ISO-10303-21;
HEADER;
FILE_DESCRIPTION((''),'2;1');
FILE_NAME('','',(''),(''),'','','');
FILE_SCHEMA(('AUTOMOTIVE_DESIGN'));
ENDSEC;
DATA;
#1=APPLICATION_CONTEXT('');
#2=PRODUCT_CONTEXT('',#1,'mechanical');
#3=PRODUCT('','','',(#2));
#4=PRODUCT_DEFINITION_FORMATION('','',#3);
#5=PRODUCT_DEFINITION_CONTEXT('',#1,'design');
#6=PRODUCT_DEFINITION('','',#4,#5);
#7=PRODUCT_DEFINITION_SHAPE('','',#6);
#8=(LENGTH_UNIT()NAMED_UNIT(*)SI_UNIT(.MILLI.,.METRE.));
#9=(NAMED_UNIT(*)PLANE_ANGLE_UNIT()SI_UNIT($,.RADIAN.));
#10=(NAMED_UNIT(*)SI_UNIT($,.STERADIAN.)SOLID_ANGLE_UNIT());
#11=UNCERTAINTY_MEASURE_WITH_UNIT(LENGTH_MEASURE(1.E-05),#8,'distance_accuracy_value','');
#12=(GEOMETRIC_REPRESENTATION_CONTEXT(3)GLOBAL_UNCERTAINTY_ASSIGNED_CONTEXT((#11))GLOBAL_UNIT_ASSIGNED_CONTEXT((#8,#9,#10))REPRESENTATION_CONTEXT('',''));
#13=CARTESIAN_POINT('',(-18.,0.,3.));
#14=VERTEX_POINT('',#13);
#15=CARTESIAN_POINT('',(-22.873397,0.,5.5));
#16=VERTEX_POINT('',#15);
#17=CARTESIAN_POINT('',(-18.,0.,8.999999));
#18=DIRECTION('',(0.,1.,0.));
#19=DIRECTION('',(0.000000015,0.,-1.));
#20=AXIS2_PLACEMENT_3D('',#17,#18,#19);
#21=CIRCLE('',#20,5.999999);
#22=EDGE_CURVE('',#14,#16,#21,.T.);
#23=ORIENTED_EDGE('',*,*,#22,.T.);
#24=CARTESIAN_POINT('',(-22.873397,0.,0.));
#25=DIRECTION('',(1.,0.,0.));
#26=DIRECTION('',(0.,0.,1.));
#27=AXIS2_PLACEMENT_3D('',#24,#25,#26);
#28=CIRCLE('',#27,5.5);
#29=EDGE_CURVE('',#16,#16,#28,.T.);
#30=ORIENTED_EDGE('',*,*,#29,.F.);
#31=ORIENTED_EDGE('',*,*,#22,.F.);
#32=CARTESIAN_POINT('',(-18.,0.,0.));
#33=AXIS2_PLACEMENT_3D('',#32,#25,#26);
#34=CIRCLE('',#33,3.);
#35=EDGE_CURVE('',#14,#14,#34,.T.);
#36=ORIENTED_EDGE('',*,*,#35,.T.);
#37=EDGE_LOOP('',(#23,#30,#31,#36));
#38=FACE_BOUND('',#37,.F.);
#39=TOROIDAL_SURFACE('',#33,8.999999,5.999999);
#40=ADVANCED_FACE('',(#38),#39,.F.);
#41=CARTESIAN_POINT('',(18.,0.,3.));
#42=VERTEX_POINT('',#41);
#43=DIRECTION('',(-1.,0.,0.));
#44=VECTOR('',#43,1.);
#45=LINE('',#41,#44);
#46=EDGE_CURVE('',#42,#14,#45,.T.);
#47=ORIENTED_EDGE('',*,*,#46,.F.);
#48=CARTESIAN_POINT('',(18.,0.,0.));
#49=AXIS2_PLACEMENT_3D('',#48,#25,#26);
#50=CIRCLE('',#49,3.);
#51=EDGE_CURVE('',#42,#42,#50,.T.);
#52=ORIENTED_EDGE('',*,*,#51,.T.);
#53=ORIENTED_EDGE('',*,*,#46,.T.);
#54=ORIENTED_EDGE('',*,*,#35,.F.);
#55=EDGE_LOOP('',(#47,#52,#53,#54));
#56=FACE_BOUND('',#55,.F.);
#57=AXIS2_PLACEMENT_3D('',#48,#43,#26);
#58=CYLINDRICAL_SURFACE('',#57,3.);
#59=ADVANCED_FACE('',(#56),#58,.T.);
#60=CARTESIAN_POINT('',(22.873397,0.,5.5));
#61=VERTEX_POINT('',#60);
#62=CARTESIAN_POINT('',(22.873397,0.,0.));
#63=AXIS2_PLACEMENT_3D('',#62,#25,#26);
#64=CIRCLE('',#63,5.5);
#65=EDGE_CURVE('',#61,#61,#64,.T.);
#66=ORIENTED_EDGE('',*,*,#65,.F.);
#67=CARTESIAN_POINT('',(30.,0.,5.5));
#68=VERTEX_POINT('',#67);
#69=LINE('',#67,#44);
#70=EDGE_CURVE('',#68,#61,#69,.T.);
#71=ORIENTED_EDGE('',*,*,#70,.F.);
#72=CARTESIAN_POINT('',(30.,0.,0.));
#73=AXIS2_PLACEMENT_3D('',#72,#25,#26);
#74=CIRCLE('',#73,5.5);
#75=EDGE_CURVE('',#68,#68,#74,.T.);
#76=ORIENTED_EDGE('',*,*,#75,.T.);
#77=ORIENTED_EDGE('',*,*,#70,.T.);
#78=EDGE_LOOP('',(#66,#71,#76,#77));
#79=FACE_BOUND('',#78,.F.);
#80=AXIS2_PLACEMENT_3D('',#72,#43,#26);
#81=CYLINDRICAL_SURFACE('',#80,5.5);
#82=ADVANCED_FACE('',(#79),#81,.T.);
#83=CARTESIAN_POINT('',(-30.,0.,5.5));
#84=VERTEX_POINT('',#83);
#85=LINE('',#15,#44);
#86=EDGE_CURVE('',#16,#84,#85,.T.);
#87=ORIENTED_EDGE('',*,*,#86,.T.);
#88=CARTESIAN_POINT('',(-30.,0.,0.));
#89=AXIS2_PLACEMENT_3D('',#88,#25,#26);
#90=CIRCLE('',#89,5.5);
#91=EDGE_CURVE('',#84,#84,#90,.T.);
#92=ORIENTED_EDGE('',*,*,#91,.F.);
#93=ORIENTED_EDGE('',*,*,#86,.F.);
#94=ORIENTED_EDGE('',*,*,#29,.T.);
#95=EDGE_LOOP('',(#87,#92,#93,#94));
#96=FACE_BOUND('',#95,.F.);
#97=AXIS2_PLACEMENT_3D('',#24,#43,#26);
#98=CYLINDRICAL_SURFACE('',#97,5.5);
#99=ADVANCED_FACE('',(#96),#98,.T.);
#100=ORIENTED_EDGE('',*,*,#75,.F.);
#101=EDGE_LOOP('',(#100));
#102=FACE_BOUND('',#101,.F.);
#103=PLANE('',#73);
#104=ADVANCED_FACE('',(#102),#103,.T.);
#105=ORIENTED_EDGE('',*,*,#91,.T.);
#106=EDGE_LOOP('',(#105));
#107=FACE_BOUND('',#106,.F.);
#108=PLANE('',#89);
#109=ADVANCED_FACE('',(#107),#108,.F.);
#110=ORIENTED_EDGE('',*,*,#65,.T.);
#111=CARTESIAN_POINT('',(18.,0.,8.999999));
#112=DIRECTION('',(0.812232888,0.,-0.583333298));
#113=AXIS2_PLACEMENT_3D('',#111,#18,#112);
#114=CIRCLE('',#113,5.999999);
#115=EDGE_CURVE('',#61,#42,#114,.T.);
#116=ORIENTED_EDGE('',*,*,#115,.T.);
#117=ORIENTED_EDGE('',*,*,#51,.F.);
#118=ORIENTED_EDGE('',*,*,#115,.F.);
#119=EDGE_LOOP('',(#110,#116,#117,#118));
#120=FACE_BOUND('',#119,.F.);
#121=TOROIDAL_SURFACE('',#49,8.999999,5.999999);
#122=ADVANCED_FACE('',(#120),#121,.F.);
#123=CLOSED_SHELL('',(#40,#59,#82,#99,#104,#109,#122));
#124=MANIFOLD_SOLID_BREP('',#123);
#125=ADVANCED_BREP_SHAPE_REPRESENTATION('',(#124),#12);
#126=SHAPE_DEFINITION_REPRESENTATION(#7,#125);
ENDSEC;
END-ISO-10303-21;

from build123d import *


with BuildPart() as f1:
    # F0 (on Front) → F1 (revolve)
    with BuildSketch(Plane.XZ):
        with BuildLine():
            Line((18, 3), (0, 3))
            Line((0, 3), (-18, 3))
            ThreePointArc((-18, 3), (-20.738613, 3.661461), (-22.873397, 5.5))
            Line((-22.873397, 5.5), (-30, 5.5))
            Line((-30, 5.5), (-30, 0))
            Line((-30, 0), (0, 0))
            Line((0, 0), (30, 0))
            Line((30, 0), (30, 5.5))
            Line((30, 5.5), (22.873397, 5.5))
            ThreePointArc((22.873397, 5.5), (20.738613, 3.661461), (18, 3))
        make_face()
    revolve(axis=Axis((-15, 0, 0), (1, 0, 0)))


solid = f1.part
